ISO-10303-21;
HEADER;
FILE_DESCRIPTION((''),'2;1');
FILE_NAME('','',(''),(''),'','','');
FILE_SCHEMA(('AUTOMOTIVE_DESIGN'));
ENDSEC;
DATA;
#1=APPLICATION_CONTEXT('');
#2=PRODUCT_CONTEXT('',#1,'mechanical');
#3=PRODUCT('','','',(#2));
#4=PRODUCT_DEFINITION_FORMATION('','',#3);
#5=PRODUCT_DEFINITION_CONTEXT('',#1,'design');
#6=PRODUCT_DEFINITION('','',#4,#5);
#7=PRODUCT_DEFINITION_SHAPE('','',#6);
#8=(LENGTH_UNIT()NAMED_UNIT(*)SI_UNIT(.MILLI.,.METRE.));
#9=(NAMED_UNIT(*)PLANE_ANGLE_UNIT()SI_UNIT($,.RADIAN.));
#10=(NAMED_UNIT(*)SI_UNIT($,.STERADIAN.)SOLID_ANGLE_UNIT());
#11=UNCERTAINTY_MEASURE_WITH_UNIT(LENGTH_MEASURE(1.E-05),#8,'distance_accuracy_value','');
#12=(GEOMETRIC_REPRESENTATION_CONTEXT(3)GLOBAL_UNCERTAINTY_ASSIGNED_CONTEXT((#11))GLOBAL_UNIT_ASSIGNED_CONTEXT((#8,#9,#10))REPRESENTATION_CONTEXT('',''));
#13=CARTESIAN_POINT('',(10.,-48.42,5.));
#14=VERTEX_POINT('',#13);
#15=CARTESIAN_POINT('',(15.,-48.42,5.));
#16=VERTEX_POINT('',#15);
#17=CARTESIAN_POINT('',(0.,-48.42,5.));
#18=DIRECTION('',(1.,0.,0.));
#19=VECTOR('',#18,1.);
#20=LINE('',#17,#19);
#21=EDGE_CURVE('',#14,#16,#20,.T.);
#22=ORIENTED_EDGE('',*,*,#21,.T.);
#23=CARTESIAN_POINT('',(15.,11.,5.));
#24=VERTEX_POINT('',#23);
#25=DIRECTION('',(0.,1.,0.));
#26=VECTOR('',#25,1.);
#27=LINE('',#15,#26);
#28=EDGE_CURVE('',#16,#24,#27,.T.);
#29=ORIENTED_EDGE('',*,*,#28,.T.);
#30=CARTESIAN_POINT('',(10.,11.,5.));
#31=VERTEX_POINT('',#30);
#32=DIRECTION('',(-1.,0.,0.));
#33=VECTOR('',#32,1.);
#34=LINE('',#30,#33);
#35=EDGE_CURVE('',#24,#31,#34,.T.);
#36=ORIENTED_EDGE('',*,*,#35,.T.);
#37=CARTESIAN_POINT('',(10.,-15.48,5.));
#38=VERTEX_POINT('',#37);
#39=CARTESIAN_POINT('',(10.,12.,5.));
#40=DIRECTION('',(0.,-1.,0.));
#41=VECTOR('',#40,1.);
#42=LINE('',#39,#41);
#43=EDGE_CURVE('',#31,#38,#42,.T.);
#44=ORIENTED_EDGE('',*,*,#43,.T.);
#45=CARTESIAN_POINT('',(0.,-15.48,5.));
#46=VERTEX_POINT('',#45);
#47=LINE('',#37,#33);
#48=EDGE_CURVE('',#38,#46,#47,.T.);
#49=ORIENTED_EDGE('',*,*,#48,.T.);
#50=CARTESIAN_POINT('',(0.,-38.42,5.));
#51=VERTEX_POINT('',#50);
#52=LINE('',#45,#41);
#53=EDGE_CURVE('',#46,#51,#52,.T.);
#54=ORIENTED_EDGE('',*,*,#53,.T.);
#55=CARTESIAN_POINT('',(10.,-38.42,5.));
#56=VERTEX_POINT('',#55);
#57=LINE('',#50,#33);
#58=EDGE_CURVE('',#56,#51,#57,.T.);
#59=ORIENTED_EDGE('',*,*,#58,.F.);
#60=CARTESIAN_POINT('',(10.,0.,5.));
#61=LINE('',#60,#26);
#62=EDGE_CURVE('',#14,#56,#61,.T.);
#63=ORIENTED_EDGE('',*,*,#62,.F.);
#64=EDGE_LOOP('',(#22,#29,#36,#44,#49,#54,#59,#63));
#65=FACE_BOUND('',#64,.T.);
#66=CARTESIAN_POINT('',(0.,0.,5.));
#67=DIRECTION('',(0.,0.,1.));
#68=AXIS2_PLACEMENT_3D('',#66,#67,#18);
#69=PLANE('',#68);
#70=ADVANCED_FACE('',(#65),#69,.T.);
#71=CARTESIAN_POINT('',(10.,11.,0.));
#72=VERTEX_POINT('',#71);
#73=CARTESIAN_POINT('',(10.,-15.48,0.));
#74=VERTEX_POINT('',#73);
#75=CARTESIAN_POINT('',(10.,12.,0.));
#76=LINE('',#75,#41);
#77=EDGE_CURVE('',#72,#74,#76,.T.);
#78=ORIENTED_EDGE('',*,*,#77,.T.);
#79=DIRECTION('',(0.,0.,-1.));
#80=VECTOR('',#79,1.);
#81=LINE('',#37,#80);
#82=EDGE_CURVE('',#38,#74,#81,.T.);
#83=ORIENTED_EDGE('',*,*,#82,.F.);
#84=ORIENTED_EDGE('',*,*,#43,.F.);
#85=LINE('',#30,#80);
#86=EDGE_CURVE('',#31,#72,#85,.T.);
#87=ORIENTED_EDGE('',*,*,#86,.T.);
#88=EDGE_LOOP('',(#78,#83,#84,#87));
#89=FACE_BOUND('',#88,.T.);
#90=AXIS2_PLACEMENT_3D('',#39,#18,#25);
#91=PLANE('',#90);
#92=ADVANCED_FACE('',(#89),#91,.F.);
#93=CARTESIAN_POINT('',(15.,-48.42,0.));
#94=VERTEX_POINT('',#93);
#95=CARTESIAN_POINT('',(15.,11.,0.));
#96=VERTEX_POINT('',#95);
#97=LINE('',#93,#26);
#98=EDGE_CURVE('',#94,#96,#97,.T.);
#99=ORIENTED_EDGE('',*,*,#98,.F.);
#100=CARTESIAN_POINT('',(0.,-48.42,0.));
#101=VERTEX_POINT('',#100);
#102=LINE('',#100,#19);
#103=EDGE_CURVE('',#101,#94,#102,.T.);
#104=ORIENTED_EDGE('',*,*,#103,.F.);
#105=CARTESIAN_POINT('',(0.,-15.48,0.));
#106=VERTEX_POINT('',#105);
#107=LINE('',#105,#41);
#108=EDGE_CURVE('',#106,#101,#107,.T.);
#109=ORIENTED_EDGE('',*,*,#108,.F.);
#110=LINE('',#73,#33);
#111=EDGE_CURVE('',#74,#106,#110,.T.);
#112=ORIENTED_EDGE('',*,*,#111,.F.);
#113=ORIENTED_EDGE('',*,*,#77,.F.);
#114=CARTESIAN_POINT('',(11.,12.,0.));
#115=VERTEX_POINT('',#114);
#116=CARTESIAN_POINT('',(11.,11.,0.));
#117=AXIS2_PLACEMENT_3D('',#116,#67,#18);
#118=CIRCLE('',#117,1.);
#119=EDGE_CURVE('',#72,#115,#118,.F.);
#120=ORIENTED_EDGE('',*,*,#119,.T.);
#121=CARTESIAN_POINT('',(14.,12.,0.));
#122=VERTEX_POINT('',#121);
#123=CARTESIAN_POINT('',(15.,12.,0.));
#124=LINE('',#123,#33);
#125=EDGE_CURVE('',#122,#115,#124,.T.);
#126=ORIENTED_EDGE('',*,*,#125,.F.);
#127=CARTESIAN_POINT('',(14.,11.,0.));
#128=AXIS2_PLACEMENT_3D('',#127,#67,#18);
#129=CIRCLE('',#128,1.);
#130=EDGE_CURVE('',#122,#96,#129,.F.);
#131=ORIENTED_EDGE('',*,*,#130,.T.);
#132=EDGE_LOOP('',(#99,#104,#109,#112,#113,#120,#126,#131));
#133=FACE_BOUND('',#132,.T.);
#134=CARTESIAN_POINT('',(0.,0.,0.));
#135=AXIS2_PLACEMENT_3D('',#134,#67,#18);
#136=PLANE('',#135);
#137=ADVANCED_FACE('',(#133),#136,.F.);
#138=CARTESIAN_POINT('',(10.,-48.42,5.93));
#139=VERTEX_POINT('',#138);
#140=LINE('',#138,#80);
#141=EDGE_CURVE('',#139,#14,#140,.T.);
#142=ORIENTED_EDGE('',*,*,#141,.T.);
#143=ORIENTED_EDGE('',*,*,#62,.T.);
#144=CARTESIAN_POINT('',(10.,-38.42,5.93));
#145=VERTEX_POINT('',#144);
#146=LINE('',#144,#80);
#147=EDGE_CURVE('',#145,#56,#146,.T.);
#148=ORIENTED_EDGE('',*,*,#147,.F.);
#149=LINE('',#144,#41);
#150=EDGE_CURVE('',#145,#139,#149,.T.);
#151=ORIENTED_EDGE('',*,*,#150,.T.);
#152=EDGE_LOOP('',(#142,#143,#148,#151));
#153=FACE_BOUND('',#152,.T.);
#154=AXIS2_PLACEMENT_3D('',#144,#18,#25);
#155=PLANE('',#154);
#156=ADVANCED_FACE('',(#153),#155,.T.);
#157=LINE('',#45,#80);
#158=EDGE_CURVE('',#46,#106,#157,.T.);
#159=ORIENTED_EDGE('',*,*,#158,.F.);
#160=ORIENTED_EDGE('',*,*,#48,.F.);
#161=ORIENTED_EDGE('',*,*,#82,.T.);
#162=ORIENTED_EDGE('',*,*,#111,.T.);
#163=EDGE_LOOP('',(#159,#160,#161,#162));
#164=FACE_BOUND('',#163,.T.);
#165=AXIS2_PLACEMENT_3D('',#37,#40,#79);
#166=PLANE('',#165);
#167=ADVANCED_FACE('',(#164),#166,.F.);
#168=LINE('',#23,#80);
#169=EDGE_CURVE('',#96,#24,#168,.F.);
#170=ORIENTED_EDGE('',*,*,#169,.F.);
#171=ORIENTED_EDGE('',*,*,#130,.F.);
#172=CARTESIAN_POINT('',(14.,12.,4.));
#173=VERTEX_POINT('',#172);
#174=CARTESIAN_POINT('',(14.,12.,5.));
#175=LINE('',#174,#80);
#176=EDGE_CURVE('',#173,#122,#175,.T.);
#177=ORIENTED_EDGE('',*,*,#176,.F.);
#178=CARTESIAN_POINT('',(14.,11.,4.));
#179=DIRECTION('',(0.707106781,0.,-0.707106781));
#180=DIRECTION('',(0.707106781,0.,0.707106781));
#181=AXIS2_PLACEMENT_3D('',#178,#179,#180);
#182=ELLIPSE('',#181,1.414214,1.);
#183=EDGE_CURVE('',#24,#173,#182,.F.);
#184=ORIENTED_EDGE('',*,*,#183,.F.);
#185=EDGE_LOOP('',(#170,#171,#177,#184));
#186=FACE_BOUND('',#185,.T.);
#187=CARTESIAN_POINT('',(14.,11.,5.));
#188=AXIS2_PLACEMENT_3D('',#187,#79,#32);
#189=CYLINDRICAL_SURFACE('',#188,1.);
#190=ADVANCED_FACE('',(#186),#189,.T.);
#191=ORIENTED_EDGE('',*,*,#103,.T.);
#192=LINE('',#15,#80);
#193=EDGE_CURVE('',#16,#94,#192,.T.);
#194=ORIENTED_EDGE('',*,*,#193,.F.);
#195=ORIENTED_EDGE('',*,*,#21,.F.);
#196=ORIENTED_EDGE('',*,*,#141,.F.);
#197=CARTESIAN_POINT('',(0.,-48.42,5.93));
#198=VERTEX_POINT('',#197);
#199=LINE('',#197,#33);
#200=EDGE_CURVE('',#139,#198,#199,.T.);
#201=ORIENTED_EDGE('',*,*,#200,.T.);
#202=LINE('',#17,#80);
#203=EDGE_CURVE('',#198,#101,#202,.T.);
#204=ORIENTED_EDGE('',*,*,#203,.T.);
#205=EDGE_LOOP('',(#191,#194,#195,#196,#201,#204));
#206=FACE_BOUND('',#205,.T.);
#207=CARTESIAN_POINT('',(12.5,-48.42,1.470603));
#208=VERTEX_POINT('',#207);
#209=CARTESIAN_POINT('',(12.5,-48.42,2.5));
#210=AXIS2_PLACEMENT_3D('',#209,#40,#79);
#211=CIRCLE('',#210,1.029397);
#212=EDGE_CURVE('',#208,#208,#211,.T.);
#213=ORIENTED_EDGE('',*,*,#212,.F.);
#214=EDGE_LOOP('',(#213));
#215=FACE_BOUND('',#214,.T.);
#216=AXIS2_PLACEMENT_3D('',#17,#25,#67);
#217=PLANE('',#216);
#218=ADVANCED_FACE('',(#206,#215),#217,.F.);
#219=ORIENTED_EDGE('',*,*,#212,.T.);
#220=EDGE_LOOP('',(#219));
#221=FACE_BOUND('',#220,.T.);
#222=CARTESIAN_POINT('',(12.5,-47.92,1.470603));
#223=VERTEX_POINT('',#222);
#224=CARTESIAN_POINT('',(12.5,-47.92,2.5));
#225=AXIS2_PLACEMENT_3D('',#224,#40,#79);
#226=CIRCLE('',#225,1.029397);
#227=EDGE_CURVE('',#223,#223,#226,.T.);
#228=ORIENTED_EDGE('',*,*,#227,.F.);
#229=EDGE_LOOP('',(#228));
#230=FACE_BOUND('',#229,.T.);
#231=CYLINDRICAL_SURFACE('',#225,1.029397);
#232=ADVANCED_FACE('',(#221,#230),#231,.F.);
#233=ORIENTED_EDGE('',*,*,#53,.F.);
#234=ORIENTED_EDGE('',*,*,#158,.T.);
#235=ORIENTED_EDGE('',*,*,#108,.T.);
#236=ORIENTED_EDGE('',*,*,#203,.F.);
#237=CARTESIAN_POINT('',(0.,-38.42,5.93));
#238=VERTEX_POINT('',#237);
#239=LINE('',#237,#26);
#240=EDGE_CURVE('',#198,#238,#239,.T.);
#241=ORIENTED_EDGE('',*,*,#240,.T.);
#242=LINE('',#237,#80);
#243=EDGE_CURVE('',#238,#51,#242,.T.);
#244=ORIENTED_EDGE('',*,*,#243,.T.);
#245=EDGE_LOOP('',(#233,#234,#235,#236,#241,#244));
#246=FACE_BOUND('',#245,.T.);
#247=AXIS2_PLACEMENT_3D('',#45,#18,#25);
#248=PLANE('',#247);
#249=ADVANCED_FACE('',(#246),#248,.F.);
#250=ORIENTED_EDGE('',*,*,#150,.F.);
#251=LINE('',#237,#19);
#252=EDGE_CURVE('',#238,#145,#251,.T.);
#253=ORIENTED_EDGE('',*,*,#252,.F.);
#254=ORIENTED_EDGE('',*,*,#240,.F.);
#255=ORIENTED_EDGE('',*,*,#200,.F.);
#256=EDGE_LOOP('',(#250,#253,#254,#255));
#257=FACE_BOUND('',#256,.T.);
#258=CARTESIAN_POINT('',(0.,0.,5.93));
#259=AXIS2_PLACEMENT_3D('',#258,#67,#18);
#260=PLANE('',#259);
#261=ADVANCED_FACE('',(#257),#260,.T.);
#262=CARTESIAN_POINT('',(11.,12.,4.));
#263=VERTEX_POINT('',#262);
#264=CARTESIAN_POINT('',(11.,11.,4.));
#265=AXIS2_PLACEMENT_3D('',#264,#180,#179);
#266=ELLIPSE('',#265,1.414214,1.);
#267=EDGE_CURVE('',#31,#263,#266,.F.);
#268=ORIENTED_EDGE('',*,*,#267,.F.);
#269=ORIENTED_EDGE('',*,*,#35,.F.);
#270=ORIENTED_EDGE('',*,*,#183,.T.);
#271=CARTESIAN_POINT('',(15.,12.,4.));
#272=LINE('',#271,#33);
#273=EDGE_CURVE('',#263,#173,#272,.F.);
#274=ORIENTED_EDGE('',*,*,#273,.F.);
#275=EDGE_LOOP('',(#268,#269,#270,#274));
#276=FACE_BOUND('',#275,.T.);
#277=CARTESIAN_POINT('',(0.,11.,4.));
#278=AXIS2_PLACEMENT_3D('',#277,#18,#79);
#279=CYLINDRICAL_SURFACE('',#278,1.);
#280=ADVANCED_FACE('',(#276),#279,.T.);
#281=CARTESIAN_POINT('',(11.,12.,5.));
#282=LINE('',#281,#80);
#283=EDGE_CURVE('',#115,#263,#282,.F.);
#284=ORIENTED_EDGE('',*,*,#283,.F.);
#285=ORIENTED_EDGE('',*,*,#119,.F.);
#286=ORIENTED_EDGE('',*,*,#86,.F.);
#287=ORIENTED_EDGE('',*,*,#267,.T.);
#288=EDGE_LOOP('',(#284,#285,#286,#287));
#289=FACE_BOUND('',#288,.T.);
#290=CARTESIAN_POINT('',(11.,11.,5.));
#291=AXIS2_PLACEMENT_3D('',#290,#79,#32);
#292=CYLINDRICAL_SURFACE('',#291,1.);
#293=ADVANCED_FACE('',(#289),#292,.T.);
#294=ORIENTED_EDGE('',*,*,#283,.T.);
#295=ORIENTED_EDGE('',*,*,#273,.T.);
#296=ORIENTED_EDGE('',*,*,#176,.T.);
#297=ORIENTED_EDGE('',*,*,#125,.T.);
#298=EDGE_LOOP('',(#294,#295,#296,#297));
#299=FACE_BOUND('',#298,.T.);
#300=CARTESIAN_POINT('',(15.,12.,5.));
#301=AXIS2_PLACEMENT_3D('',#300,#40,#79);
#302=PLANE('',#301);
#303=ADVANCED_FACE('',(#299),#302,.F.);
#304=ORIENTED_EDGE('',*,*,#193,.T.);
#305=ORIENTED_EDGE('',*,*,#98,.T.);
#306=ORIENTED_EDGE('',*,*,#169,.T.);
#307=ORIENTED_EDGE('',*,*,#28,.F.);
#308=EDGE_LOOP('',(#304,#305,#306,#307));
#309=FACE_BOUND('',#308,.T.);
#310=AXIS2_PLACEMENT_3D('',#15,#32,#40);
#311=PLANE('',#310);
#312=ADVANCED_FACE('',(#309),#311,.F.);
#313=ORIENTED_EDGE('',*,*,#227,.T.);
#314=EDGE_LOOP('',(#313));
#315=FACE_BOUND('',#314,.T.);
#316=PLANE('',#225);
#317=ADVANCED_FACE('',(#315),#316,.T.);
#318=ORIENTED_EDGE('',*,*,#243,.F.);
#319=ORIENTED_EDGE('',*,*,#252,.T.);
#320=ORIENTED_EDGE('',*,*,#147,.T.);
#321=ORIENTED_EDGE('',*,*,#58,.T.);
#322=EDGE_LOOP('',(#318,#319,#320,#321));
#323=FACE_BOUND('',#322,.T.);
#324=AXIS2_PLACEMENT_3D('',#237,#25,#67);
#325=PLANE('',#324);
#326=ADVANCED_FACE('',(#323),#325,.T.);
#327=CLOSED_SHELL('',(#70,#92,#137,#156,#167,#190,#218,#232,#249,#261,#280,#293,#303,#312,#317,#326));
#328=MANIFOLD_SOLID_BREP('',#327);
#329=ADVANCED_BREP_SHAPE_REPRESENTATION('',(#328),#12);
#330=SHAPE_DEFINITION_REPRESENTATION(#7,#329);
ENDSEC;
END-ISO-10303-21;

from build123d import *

# Parameters (mm, degrees)
BOSS_EXTRUDE1_DEPTH = 5
SKETCH2_W           = 10
SKETCH2_H           = 10
BOSS_EXTRUDE2_DEPTH = 5.93
FILLET1_R           = 1
SKETCH3_R           = 1.029396526
CUT_EXTRUDE1_DEPTH  = 0.5


with BuildPart() as part:
    # Sketch1 → Boss-Extrude1 (new body)
    with BuildSketch(Plane.XY):
        Polygon((10, 12), (10, -15.48), (0, -15.48), (0, -48.42), (15, -48.42), (15, 12), align=None)
    extrude(amount=BOSS_EXTRUDE1_DEPTH)

    # Sketch2 → Boss-Extrude2 (add)
    with BuildSketch(Plane(origin=(0, 0, 0), x_dir=(-1, 0, 0), z_dir=(0, 0, -1))):
        with Locations((-5, -43.42)):
            Rectangle(SKETCH2_W, SKETCH2_H)
    extrude(amount=-BOSS_EXTRUDE2_DEPTH)

    # Fillet1
    fillet1_edges = [part.edges().sort_by_distance(p)[0] for p in [
        (10, 12, 2.5),
        (15, 12, 2.5),
        (12.5, 12, 5),
    ]]
    fillet(fillet1_edges, radius=FILLET1_R)

    # Sketch3 → Cut-Extrude1 (cut)
    with BuildSketch(Plane.XZ.offset(48.42)):
        with Locations((12.5, 2.5)):
            Circle(SKETCH3_R)
    extrude(amount=-CUT_EXTRUDE1_DEPTH, mode=Mode.SUBTRACT)


solid = part.part
